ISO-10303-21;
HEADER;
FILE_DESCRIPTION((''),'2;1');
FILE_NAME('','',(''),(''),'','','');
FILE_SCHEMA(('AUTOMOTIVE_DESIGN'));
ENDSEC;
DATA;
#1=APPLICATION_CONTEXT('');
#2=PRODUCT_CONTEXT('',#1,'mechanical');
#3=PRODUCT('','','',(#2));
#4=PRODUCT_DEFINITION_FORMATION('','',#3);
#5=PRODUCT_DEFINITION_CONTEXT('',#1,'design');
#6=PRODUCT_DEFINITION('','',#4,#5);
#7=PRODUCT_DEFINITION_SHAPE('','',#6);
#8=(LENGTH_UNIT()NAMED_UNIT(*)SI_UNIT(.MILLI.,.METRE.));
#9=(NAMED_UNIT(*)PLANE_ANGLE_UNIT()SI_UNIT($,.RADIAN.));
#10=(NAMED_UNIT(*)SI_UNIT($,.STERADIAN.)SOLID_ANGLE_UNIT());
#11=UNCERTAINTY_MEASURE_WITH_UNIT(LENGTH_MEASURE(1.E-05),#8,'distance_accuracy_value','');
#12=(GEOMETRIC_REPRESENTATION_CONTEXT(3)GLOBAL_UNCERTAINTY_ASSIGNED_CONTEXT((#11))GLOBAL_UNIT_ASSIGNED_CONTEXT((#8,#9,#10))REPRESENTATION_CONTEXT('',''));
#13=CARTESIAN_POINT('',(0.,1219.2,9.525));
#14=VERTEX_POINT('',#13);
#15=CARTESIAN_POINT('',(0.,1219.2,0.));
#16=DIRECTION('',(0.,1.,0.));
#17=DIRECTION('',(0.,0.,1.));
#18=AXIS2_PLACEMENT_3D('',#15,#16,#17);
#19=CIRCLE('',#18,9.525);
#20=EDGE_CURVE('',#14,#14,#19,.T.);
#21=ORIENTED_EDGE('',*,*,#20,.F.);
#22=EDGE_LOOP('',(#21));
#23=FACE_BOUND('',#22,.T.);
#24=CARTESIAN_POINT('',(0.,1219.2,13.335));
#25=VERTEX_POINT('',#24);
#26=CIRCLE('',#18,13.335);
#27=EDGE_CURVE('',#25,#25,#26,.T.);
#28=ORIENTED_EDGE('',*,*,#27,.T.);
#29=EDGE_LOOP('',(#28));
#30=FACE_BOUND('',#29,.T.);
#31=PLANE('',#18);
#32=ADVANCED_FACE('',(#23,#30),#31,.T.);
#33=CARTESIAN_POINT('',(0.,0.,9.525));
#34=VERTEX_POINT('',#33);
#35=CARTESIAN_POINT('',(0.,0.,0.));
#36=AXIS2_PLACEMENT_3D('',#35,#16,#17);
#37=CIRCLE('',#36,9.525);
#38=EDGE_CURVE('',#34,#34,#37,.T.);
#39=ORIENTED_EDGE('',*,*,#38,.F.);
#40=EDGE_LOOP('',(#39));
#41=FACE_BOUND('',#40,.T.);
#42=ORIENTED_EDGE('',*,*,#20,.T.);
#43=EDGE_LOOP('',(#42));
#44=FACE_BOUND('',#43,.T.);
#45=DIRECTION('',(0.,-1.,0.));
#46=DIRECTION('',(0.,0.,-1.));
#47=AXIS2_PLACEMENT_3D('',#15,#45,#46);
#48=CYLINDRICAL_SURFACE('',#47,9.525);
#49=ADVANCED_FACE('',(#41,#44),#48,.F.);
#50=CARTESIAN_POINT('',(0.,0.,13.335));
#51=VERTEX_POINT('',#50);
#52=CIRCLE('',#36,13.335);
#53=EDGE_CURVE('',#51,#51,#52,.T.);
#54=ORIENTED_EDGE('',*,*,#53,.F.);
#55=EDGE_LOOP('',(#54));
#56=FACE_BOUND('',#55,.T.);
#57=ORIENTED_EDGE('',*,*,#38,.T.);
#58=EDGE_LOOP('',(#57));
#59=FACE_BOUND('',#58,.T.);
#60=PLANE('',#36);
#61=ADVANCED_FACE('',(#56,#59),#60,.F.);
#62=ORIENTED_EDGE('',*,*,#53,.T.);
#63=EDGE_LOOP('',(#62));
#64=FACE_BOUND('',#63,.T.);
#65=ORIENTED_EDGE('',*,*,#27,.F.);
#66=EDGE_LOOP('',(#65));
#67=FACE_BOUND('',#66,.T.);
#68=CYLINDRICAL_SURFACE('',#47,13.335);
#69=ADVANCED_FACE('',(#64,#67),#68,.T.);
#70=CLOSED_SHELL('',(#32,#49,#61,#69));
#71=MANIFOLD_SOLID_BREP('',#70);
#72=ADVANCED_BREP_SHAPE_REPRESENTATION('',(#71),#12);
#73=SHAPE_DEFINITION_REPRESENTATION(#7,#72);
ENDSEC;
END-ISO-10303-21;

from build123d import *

# Parameters (mm, degrees)
SKETCH1_R           = 13.335
SKETCH1_R_2         = 9.525
BOSS_EXTRUDE1_DEPTH = 1219.2


with BuildPart() as part:
    # Sketch1 → Boss-Extrude1 (new body)
    with BuildSketch(Plane(origin=(0, 0, 0), x_dir=(1, 0, 0), z_dir=(0, 1, 0))):
        Circle(SKETCH1_R)
        Circle(SKETCH1_R_2, mode=Mode.SUBTRACT)
    extrude(amount=BOSS_EXTRUDE1_DEPTH)


solid = part.part
